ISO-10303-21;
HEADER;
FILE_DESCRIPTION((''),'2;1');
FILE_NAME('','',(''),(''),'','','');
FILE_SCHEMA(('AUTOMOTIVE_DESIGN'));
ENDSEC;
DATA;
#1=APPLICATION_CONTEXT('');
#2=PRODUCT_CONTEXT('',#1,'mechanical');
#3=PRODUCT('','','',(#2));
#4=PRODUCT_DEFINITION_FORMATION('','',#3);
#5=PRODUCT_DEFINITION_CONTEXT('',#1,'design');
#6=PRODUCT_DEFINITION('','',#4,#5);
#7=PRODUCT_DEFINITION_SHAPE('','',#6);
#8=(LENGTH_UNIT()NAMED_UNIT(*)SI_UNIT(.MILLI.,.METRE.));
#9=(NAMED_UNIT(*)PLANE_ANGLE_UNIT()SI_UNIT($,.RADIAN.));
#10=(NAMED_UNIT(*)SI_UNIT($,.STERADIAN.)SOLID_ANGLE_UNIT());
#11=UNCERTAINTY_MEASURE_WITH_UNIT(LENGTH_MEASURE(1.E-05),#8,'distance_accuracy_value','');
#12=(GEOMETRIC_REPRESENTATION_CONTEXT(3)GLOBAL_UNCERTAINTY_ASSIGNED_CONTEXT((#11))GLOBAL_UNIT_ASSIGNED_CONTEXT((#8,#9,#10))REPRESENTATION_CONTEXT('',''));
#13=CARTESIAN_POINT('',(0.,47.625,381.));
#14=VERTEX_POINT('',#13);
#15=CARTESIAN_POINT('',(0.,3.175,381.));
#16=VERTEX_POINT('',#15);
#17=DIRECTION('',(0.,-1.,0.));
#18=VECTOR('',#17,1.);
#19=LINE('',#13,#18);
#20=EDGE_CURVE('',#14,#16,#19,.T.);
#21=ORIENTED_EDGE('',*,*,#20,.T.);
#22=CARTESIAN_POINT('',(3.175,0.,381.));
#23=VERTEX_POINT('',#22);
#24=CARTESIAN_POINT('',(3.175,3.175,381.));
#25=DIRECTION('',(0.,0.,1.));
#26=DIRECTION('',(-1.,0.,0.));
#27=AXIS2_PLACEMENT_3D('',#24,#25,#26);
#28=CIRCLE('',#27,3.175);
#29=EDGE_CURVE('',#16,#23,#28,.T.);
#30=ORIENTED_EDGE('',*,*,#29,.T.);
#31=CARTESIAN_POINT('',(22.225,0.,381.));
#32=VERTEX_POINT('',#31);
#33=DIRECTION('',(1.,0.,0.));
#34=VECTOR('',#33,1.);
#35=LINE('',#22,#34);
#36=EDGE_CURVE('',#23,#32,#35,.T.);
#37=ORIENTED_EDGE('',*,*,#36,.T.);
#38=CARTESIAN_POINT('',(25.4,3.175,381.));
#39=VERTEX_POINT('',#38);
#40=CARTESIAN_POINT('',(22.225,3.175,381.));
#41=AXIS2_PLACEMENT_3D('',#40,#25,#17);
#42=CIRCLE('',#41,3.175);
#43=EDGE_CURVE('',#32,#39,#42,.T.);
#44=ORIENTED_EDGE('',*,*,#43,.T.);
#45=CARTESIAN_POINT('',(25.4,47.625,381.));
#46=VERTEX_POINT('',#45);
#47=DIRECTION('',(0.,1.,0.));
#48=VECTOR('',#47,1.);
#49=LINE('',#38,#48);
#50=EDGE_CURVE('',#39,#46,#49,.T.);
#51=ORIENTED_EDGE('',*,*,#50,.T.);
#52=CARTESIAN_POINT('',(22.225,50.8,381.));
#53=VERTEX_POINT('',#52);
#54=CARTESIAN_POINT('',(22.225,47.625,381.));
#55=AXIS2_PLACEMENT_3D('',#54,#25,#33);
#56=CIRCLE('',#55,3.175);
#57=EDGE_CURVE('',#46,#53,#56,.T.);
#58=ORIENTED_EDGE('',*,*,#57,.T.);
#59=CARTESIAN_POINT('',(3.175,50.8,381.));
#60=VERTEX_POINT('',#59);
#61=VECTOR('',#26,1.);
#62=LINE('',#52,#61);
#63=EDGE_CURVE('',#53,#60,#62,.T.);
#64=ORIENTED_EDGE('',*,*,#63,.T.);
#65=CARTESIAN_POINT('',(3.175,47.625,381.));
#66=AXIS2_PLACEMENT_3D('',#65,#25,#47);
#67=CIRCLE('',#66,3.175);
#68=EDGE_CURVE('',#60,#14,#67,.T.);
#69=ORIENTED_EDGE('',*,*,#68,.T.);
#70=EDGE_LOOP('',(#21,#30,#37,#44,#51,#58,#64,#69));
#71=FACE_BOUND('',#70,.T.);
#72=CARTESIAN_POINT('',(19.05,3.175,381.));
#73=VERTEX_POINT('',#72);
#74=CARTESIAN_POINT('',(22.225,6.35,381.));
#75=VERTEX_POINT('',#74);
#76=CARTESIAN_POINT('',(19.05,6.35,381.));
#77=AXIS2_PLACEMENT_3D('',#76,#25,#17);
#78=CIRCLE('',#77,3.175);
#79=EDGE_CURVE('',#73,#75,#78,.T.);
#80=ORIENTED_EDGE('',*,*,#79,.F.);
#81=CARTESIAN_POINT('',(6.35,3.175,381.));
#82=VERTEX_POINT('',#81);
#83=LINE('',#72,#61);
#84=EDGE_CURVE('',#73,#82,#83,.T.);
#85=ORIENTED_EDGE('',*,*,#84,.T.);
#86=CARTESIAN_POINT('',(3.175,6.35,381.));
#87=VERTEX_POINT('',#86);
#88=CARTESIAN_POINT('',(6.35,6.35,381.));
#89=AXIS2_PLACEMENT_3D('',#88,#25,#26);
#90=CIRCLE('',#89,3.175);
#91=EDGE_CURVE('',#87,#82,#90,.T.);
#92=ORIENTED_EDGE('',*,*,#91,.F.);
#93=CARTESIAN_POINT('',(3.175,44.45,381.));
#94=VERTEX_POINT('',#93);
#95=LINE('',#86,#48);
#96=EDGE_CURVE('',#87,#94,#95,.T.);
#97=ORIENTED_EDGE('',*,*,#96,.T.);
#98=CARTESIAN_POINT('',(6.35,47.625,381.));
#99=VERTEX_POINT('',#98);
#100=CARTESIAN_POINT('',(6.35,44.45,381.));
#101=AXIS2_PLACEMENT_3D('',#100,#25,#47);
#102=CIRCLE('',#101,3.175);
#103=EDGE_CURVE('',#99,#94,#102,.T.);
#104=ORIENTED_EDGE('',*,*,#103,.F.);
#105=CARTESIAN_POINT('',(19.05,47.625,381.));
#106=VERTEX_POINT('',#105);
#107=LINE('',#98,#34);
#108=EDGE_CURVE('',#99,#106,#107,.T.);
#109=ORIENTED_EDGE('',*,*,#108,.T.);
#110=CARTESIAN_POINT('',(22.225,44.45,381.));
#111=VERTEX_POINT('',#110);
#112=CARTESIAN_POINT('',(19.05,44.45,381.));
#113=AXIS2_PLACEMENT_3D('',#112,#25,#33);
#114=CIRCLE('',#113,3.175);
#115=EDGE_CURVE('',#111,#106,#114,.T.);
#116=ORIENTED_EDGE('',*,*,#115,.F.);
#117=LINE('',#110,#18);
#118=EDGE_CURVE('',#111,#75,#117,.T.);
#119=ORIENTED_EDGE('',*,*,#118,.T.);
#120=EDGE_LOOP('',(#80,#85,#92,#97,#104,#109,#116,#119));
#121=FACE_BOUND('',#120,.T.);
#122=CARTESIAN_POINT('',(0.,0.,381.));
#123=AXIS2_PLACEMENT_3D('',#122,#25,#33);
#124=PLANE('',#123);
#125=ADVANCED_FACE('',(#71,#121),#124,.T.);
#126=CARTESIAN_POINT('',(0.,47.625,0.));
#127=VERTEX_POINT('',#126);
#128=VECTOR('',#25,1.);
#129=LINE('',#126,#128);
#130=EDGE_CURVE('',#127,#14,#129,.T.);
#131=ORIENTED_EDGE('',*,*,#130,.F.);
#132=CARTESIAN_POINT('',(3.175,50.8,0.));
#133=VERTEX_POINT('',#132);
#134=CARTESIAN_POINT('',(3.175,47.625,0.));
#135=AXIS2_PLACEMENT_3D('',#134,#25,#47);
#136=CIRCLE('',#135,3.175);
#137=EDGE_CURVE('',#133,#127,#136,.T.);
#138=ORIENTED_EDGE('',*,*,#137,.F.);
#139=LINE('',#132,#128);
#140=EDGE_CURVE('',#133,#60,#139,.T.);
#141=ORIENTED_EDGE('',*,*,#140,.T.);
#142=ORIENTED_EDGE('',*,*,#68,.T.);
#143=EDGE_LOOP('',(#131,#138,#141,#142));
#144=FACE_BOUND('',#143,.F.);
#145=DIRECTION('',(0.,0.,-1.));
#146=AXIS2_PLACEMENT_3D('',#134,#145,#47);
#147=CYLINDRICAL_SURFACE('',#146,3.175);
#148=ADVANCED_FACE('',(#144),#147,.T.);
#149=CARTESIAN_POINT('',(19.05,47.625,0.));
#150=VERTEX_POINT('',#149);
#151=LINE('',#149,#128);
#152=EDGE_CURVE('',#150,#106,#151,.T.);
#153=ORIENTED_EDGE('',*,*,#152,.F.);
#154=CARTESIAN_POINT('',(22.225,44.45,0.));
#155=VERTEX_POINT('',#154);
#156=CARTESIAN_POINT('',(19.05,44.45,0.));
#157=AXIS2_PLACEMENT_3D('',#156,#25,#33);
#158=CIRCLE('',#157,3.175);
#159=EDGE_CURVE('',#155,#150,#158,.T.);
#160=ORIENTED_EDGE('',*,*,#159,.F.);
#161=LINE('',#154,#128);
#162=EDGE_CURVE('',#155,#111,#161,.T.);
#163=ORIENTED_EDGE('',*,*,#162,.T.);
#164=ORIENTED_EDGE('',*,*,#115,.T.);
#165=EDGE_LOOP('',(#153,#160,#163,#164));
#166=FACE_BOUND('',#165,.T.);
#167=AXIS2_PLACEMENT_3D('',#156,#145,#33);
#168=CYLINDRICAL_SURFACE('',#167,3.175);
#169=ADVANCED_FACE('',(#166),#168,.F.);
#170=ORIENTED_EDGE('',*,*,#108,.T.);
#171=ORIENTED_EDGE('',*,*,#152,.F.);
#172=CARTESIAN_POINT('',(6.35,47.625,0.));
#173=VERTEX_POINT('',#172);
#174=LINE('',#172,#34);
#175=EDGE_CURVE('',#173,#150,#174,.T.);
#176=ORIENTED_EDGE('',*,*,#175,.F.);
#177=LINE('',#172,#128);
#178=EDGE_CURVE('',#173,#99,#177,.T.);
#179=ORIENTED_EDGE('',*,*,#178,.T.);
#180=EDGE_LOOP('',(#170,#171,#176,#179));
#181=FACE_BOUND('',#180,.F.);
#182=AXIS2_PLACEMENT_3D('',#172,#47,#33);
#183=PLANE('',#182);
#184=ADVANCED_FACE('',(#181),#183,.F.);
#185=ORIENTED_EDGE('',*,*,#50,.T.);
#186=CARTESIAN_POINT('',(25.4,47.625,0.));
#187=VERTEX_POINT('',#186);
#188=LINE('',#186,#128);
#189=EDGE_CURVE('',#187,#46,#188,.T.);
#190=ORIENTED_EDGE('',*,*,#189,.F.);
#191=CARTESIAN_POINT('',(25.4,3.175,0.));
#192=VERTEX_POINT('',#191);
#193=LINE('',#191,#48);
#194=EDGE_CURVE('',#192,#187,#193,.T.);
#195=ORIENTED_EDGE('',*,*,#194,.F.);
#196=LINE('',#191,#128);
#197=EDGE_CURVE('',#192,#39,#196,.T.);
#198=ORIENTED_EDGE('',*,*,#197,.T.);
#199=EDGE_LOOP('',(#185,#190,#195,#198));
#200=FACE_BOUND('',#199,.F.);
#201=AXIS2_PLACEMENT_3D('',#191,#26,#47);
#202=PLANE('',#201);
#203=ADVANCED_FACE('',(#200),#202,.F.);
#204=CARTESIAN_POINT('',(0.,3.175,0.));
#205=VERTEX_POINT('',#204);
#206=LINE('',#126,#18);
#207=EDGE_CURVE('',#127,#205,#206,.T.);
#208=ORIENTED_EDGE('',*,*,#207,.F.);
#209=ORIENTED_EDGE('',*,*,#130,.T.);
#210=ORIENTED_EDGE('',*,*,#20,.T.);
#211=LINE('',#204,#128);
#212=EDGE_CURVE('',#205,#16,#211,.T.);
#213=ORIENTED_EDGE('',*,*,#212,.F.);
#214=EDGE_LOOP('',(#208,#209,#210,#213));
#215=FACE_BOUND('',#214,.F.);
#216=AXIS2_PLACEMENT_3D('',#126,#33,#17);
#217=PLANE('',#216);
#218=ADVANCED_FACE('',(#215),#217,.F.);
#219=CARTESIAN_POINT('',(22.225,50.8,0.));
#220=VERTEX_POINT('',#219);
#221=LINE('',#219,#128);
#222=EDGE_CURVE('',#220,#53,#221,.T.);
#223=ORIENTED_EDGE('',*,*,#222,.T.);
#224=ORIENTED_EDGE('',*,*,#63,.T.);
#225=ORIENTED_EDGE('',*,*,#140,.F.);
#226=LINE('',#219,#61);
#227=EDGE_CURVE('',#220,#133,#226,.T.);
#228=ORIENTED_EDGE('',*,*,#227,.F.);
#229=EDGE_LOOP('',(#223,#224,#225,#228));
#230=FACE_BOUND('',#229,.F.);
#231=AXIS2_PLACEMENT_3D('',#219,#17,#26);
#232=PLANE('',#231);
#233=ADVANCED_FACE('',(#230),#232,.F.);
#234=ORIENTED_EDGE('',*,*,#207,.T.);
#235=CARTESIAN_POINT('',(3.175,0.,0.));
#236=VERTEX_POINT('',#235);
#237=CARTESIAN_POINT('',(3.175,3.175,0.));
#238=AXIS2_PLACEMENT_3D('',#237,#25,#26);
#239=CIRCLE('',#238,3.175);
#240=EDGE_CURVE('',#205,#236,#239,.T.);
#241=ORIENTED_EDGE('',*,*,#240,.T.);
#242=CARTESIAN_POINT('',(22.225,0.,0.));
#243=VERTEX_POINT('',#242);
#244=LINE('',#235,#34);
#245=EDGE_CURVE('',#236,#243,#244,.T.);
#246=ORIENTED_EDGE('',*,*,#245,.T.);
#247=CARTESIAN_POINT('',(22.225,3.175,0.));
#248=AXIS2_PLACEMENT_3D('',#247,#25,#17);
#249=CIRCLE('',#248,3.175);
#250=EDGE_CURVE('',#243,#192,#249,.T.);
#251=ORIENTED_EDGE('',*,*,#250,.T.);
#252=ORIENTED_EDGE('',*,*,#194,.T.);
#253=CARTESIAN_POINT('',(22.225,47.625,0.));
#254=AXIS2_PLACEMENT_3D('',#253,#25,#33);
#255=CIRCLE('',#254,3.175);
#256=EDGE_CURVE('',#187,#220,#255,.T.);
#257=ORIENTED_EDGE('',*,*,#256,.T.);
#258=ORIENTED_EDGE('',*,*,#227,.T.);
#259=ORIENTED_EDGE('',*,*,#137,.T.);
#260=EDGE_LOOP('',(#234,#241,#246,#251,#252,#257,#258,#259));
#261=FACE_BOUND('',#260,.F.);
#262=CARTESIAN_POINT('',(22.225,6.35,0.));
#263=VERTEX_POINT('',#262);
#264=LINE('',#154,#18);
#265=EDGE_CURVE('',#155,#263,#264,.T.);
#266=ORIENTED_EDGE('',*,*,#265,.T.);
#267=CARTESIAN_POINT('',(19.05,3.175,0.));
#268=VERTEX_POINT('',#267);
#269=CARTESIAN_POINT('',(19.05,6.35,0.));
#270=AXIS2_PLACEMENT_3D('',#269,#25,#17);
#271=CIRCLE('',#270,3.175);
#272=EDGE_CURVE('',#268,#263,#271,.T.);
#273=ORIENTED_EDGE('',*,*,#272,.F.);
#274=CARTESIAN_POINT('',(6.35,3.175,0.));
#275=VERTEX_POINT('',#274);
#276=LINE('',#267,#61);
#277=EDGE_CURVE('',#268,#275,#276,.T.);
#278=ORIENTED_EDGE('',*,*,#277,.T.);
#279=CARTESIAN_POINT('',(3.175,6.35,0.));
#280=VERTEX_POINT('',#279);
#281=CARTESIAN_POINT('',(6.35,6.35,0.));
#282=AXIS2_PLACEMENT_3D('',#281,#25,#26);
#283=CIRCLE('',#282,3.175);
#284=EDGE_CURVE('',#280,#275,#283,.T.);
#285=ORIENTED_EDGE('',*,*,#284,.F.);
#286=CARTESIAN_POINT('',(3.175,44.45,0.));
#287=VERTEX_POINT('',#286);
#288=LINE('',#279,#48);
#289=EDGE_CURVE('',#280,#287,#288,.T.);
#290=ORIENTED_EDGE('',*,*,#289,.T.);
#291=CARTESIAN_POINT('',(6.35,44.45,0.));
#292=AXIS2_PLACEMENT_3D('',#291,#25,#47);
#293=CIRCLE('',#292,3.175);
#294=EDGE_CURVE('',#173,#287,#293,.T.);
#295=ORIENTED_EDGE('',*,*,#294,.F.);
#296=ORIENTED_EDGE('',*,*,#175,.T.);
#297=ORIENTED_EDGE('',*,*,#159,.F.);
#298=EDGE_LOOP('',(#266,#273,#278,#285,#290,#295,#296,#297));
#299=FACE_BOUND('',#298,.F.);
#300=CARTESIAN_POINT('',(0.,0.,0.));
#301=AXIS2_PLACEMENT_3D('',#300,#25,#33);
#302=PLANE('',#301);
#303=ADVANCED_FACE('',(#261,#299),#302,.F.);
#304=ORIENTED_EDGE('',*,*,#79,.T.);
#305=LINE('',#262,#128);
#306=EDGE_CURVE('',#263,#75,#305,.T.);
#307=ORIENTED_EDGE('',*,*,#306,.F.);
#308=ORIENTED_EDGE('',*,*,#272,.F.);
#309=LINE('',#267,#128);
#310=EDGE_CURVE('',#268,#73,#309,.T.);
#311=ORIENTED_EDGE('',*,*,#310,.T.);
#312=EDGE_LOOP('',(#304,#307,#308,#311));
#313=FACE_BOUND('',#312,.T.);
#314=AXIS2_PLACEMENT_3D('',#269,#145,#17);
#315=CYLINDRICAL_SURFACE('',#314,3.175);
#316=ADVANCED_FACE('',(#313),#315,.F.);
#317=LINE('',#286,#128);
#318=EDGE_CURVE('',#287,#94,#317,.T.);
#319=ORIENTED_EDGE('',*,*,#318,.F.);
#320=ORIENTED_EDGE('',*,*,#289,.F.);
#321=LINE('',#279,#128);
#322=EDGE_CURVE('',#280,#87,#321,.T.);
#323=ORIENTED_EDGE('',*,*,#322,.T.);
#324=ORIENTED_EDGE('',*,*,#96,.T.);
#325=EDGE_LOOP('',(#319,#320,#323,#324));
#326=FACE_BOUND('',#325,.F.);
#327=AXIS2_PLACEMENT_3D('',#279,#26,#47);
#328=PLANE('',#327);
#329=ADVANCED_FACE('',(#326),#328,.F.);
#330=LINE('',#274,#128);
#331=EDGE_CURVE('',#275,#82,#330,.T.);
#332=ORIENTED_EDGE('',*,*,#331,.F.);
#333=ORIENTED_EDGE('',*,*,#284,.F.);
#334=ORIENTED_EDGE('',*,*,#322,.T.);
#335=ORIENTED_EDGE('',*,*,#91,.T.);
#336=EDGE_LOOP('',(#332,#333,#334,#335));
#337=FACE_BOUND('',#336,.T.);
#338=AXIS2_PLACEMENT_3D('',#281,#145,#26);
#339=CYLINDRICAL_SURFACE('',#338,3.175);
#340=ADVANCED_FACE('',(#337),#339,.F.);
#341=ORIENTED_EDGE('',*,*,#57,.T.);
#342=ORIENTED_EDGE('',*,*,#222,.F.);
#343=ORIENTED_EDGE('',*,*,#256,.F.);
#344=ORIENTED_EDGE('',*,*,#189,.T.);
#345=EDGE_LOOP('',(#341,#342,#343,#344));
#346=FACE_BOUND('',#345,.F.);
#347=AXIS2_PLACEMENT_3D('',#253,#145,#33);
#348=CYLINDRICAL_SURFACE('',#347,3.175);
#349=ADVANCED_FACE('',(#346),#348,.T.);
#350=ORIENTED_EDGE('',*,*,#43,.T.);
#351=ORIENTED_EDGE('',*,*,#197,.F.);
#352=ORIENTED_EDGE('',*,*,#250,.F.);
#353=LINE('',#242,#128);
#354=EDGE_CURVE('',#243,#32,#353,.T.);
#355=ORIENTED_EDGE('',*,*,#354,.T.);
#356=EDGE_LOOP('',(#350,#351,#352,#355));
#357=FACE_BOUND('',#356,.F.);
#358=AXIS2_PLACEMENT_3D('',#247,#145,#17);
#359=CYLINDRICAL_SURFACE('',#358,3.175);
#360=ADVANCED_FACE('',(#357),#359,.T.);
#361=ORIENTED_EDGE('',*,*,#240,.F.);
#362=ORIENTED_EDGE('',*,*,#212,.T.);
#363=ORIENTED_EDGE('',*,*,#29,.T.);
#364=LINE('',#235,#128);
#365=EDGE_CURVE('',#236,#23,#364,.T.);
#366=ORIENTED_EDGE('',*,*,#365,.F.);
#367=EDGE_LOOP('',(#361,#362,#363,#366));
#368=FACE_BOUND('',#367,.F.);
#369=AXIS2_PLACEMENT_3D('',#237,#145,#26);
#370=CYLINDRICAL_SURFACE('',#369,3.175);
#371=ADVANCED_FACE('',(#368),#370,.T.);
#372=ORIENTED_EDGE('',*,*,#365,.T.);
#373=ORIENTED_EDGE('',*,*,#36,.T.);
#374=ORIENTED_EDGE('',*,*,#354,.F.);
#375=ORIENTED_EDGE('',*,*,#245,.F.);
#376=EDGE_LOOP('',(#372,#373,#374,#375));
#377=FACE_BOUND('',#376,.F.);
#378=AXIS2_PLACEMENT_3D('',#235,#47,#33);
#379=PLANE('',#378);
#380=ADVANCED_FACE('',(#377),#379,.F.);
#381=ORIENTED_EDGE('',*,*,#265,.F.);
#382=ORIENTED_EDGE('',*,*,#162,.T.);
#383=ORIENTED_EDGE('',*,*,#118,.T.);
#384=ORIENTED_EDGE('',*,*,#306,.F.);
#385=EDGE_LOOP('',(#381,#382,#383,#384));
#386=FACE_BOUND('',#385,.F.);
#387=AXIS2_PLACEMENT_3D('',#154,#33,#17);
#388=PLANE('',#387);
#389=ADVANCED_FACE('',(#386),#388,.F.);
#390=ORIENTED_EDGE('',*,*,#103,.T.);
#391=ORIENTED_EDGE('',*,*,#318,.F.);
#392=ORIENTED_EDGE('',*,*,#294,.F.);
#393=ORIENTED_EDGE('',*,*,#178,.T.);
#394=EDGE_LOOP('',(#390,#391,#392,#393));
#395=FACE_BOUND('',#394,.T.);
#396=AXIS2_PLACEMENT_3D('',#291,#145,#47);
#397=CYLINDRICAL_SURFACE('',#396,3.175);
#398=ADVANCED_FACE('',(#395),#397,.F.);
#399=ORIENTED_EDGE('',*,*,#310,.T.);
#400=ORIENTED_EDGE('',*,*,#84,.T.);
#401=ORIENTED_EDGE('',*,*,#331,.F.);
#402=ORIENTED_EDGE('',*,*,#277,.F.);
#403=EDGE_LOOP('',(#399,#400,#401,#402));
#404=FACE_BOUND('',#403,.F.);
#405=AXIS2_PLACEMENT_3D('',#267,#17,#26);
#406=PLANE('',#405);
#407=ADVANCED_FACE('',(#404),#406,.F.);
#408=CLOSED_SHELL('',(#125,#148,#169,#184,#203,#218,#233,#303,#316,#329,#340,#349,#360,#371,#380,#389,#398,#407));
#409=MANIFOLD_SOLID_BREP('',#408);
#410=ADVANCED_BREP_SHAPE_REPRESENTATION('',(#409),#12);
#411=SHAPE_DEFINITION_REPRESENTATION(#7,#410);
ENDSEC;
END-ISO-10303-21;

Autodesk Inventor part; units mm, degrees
ref_plane "YZ Plane" through (0, 0, 0) normal (1, 0, 0) x (0, 1, 0)
ref_plane "XZ Plane" through (0, 0, 0) normal (0, 1, 0) x (-1, 0, 0)
ref_plane "XY Plane" through (0, 0, 0) normal (0, 0, 1) x (1, 0, 0)
sketch "Sketch1" plane through (0, 0, 0) normal (0, 0, 1) x (1, 0, 0)
  line L0 (3.175, 0) -> (22.225, 0)
  line L1 (25.4, 3.175) -> (25.4, 47.625)
  line L2 (22.225, 50.8) -> (3.175, 50.8)
  line L3 (0, 47.625) -> (0, 3.175)
  arc A0 (3.175, 50.8) -> (0, 47.625) centre (3.175, 47.625) ccw
  arc A1 (25.4, 47.625) -> (22.225, 50.8) centre (22.225, 47.625) ccw
  arc A2 (22.225, 0) -> (25.4, 3.175) centre (22.225, 3.175) ccw
  arc A3 (0, 3.175) -> (3.175, 0) centre (3.175, 3.175) ccw
  line L4 (6.35, 47.625) -> (19.05, 47.625)
  line L5 (22.225, 44.45) -> (22.225, 6.35)
  line L6 (19.05, 3.175) -> (6.35, 3.175)
  line L7 (3.175, 6.35) -> (3.175, 44.45)
  arc A4 (6.35, 47.625) -> (3.175, 44.45) centre (6.35, 44.45) ccw
  arc A5 (22.225, 44.45) -> (19.05, 47.625) centre (19.05, 44.45) ccw
  arc A6 (3.175, 6.35) -> (6.35, 3.175) centre (6.35, 6.35) ccw
  arc A7 (19.05, 3.175) -> (22.225, 6.35) centre (19.05, 6.35) ccw
  point P0 (0, 0)
  point P1 (25.4, 0)
  point P2 (0, 50.8)
  dimension "d0" = 50.8
  dimension "d1" = 25.4
  dimension "d2" = 3.175
  dimension "d3" = 3.175
  dimension "d4" = 3.175
  dimension "d5" = 3.175
  dimension "d6" = 3.175
  dimension "d7" = 3.175
  dimension "d8" = 3.175
  dimension "d9" = 3.175
  dimension "d10" = 3.175
extrude "Extrusion1" add sketch "Sketch1" along normal blind 381
properties part number "O channel 15 inch"
